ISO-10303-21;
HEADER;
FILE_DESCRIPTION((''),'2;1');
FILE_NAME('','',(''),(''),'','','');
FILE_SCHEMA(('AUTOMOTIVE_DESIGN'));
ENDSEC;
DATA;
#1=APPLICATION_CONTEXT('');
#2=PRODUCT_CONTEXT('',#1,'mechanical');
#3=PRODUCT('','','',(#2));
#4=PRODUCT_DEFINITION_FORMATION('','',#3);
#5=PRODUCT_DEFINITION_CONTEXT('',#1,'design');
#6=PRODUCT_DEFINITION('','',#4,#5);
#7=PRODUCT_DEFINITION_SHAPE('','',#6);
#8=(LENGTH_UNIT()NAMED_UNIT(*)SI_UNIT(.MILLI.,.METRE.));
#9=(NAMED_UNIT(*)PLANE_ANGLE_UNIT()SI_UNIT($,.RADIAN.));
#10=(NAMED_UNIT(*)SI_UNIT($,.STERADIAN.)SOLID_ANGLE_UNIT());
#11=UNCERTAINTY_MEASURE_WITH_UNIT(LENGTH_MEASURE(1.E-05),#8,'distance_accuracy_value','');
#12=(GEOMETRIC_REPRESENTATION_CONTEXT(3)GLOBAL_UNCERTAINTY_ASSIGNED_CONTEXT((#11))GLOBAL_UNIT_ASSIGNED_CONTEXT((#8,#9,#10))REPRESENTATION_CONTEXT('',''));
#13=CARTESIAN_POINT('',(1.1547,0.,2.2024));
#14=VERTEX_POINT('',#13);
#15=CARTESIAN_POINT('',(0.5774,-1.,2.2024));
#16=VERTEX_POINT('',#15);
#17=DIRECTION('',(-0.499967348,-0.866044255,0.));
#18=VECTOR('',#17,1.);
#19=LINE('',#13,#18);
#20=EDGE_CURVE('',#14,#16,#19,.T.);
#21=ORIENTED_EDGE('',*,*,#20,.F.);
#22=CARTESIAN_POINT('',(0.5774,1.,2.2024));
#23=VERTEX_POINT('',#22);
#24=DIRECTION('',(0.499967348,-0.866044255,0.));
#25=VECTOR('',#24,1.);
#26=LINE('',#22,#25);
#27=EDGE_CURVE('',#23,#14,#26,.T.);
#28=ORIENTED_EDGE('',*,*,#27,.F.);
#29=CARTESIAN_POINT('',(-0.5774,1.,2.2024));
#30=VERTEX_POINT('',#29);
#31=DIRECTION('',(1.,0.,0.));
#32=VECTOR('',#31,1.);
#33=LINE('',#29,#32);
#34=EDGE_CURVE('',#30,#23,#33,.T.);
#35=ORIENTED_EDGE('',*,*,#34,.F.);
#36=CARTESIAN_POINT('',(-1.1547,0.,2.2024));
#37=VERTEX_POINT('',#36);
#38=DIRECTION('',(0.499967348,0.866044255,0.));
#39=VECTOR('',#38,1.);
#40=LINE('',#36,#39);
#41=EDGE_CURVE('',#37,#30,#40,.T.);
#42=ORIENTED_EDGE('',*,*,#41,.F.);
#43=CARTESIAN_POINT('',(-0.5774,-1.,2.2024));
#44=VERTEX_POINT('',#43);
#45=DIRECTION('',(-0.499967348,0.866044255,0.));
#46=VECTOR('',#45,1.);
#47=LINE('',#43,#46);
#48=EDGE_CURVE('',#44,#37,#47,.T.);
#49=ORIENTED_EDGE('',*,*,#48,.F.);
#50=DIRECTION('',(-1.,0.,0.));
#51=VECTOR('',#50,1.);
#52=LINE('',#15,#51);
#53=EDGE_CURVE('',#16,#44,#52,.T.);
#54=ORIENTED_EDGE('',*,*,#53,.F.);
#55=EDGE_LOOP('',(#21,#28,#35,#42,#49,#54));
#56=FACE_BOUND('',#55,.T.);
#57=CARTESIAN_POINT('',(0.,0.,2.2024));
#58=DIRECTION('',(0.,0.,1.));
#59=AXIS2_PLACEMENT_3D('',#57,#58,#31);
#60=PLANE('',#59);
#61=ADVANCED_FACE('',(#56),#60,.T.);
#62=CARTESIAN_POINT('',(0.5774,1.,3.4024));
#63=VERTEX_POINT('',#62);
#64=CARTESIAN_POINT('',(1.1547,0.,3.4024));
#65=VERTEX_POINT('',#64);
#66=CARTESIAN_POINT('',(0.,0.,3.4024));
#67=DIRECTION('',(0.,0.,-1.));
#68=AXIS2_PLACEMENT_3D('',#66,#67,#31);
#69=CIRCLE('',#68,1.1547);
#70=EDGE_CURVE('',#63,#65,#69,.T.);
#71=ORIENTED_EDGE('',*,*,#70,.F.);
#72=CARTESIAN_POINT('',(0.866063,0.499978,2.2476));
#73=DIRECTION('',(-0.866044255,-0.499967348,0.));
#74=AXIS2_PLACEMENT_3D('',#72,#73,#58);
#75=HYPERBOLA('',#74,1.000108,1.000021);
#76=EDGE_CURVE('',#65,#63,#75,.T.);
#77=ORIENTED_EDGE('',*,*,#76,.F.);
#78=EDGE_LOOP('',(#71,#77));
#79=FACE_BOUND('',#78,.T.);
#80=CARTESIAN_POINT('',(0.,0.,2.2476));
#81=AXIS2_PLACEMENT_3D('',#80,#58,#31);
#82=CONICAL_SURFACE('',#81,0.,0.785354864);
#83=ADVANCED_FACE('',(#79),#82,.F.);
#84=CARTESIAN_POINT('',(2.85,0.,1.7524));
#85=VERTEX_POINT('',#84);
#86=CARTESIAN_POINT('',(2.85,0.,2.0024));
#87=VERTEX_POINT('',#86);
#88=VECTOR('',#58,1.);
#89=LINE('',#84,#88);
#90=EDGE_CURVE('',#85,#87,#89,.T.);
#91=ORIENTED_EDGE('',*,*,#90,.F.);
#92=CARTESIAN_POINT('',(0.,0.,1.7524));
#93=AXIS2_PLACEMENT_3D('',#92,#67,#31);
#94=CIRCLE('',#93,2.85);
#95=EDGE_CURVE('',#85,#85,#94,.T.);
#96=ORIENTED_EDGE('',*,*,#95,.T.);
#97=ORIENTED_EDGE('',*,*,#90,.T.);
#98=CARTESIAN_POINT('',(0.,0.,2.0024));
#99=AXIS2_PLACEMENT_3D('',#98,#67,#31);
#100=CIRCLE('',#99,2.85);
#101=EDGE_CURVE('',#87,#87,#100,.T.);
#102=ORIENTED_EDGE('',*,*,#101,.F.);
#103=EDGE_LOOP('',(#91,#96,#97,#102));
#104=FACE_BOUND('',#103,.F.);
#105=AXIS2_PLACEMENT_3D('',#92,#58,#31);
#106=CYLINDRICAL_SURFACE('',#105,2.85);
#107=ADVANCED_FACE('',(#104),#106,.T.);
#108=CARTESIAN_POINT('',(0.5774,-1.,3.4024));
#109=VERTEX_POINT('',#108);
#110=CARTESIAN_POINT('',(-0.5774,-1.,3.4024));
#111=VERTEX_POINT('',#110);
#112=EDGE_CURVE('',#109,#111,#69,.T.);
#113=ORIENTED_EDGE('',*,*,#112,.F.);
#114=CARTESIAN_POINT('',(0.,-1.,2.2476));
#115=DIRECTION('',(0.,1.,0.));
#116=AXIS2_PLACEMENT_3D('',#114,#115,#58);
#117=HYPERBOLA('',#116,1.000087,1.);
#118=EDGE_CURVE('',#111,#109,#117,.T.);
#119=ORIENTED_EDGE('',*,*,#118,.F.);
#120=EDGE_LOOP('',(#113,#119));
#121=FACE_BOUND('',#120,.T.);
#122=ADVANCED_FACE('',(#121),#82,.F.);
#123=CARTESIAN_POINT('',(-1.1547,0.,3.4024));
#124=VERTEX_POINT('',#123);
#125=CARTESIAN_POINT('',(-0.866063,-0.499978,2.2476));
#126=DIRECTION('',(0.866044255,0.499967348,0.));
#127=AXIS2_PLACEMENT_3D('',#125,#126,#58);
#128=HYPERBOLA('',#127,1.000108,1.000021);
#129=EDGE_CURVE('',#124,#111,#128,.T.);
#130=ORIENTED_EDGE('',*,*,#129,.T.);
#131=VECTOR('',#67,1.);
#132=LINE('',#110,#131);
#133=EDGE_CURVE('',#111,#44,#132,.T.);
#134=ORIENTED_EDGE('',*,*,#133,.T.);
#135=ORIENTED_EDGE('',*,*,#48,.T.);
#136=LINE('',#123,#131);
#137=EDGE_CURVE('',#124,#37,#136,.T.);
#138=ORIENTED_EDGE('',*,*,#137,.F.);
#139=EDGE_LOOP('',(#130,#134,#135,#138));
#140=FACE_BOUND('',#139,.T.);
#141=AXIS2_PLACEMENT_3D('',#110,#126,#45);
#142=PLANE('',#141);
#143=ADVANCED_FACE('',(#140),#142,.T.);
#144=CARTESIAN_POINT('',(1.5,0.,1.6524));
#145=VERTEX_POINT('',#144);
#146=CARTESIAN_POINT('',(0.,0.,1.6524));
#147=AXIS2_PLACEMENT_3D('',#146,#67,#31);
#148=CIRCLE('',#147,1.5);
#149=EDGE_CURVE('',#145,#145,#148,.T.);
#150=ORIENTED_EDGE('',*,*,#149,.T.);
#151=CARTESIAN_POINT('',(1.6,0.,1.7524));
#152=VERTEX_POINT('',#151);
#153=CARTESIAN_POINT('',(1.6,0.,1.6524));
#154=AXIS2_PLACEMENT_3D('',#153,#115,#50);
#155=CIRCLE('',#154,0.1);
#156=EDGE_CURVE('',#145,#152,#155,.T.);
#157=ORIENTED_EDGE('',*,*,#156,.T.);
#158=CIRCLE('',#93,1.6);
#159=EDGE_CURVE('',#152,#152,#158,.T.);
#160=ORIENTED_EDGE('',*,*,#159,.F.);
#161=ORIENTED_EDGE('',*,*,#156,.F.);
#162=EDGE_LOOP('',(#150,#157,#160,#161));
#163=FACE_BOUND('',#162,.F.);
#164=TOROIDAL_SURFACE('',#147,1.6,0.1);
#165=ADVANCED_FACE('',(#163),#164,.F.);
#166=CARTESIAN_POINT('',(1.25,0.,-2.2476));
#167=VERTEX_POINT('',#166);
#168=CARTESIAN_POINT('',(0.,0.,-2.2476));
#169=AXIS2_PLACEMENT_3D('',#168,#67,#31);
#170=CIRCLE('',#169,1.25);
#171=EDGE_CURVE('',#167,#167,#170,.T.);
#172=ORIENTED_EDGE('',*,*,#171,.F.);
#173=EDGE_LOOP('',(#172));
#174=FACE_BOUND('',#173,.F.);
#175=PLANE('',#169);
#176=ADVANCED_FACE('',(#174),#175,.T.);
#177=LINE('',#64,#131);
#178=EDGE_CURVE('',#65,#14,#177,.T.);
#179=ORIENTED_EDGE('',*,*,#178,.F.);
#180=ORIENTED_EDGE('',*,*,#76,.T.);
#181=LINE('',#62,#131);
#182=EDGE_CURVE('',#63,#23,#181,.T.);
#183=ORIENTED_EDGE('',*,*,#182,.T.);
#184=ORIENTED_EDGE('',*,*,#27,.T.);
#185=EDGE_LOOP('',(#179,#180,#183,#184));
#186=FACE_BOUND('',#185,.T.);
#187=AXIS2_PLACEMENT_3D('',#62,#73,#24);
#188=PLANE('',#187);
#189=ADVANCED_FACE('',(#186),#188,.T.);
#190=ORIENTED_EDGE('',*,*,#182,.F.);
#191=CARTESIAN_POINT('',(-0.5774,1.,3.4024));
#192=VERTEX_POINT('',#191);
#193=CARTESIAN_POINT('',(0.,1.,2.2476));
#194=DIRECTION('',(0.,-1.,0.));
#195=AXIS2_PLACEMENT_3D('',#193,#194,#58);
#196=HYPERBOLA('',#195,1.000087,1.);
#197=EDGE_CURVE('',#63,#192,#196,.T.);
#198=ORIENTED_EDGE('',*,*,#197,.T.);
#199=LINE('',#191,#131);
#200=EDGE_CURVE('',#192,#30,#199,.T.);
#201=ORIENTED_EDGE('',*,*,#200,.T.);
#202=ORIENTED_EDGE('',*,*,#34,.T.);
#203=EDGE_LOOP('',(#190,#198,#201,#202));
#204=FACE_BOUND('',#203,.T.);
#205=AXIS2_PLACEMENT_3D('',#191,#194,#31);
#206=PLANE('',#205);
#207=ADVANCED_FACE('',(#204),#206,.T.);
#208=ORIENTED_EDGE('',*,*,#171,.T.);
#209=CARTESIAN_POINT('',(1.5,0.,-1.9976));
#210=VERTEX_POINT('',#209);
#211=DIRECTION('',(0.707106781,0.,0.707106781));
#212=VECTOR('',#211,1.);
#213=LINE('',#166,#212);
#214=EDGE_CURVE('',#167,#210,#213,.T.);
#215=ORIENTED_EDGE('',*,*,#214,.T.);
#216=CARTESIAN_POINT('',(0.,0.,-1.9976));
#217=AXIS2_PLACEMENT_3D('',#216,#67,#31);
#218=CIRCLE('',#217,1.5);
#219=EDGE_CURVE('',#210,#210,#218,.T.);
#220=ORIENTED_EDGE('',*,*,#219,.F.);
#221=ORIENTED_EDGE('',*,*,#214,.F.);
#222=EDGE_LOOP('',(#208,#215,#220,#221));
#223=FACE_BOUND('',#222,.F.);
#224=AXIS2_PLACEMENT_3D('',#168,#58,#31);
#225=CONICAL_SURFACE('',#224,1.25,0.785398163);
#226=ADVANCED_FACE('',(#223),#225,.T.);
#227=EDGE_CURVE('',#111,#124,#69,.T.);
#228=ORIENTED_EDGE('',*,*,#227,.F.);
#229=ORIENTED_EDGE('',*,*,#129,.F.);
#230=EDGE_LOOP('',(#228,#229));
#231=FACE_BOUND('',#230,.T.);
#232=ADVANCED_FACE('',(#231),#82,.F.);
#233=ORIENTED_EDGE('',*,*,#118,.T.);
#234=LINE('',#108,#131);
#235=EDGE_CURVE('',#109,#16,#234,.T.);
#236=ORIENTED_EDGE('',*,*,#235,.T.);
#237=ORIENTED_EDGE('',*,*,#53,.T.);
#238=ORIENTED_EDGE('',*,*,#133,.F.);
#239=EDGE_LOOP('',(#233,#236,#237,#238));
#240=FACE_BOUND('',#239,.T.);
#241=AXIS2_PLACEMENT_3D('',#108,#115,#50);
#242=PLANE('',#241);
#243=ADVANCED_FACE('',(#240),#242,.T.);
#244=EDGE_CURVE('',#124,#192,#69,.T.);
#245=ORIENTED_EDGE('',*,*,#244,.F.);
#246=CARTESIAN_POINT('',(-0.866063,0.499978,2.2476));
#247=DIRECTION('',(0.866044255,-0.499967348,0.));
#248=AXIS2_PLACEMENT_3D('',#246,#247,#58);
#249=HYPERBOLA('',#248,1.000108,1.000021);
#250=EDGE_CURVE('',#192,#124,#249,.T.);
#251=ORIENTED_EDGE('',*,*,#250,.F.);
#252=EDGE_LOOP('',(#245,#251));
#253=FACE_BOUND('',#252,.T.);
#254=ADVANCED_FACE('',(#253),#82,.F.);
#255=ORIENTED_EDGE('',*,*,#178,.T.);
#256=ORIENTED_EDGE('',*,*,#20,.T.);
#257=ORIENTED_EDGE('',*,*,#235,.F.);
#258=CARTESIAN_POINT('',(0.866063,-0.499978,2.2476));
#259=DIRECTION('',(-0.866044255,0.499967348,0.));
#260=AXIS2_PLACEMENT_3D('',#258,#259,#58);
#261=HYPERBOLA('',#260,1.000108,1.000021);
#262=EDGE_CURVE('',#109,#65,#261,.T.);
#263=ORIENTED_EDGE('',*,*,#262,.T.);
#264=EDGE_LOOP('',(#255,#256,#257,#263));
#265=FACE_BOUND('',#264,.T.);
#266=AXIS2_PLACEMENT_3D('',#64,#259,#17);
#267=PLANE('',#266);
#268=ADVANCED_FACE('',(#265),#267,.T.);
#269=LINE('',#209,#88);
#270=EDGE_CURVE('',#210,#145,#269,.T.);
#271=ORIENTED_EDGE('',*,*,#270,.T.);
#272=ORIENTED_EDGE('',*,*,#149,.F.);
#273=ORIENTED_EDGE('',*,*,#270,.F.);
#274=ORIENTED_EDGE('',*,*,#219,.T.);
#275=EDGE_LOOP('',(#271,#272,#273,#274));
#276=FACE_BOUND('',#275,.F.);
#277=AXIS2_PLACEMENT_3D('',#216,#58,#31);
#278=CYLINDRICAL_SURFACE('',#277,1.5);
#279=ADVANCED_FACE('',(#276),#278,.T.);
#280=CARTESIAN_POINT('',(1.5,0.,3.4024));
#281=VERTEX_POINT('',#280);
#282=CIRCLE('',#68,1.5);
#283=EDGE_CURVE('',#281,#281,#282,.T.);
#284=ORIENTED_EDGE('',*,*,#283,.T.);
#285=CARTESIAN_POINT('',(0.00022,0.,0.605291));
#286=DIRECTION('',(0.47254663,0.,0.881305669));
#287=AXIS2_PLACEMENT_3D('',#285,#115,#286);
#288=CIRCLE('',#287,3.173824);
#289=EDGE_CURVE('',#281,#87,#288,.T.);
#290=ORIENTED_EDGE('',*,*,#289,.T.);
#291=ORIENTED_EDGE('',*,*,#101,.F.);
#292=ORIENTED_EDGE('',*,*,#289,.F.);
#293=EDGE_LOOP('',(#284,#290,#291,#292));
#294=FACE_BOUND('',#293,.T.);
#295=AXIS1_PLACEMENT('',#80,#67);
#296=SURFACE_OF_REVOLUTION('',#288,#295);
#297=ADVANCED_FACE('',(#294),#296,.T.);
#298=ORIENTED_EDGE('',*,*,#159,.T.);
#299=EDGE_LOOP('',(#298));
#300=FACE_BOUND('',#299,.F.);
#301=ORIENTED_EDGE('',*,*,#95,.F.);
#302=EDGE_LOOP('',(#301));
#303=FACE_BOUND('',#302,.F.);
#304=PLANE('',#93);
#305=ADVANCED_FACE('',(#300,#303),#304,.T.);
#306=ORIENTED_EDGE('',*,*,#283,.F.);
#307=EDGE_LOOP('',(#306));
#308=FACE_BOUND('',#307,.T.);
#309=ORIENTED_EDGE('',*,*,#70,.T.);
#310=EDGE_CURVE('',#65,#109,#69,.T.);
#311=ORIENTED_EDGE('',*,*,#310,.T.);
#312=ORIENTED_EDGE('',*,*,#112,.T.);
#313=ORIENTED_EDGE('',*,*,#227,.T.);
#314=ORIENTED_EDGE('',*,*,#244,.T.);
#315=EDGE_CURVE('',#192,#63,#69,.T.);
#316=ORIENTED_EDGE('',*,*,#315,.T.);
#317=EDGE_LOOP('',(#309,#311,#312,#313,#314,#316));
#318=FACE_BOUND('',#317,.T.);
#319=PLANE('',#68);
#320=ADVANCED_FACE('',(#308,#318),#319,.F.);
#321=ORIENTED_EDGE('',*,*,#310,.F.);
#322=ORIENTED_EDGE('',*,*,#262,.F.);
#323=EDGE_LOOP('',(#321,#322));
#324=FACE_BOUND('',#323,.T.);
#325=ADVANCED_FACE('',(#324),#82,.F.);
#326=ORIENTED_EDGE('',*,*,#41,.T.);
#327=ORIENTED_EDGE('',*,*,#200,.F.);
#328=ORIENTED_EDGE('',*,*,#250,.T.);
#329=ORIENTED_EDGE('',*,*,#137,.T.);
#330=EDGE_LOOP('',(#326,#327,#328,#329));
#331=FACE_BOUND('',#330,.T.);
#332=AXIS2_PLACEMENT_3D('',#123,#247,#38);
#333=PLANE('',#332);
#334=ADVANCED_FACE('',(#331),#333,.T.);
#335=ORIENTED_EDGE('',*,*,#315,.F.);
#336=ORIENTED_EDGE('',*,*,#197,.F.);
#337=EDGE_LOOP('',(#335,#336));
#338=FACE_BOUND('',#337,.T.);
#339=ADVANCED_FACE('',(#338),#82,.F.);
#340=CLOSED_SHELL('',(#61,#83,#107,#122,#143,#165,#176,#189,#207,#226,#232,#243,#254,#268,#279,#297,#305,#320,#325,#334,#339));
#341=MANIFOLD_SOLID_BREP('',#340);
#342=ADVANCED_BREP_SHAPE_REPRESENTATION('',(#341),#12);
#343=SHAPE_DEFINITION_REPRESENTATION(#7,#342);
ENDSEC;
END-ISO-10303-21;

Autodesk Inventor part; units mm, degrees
ref_plane "YZ Plane" through (0, 0, 0) normal (1, 0, 0) x (0, 1, 0)
ref_plane "XZ Plane" through (0, 0, 0) normal (0, 1, 0) x (-1, 0, 0)
ref_plane "XY Plane" through (0, 0, 0) normal (0, 0, 1) x (1, 0, 0)
sketch "Sketch1" plane through (0, 0, 0) normal (0, 1, 0) x (-1, 0, 0)
  line L0 (0, 2.2476) -> (0, -2.2476)
  line L1 (0, -2.2476) -> (-1.25, -2.2476)
  line L2 (-1.25, -2.2476) -> (-1.5, -1.9976)
  line L3 (-1.5, -1.9976) -> (-1.5, 1.6524)
  line L4 (-1.6, 1.7524) -> (-2.85, 1.7524)
  line L5 (-2.85, 1.7524) -> (-2.85, 2.0024)
  line L6 (0, 2.2476) -> (-1.1547, 3.4024)
  line L7 (-1.1547, 3.4024) -> (-1.5, 3.4024)
  arc A0 (-1.5, 3.4024) -> (-2.85, 2.0024) centre (0, 0.605) ccw
  line L8 (-1.1547, 3.4024) -> (-0.5774, 4.4024) construction
  line L9 (-0.5774, 4.4024) -> (0.5774, 4.4024) construction
  line L10 (0.5774, 4.4024) -> (1.1547, 3.4024) construction
  line L11 (1.1547, 3.4024) -> (0.5774, 2.4024) construction
  line L12 (0.5774, 2.4024) -> (-0.5774, 2.4024) construction
  line L13 (-0.5774, 2.4024) -> (-1.1547, 3.4024) construction
  arc A1 (-1.5, 1.6524) -> (-1.6, 1.7524) centre (-1.6, 1.6524) ccw
  point P0 (0, 0)
  point P1 (-1.5, 1.7524)
  point P2 (0, 0)
  point P3 (0, 3.4024)
  dimension "d0" = 3
  dimension "d1" = 4
  dimension "d2" = 0.25
  dimension "d3" = 135
  dimension "d4" = 5.7
  dimension "d5" = 3
  dimension "d6" = 1.65
  dimension "d7" = 2
  dimension "d8" = 0.25
  dimension "d15" = 3.2
revolve "Revolution1" add sketch "Sketch1" angle 360 about axis through (0, 0, 2.2476) along (0, 0, -1)
sketch "Sketch2" plane through (0, 0, 3.4024) normal (0, 0, 1) x (1, 0, 0)
  circle A0 centre (0, 0) radius 1.1547 projected
  circle A1 centre (0, 0) radius 1.5 projected
  line L0 (-1.1547, 0) -> (-0.5774, 1)
  line L1 (-0.5774, 1) -> (0.5774, 1)
  line L2 (0.5774, 1) -> (1.1547, 0)
  line L3 (1.1547, 0) -> (0.5774, -1)
  line L4 (0.5774, -1) -> (-0.5774, -1)
  line L5 (-0.5774, -1) -> (-1.1547, 0)
  point P0 (0, 0)
extrude "Extrusion1" cut sketch "Sketch2" against normal blind 1.2 contours L3 L4 L5 L0 L1 L2
thread "Thread1" size "M3x0.35" class "6g" standard "ANSI Metric M Profile" full length
properties part number "Bolt_M3x0.35_4mm_BH" material "Stainless Steel"
